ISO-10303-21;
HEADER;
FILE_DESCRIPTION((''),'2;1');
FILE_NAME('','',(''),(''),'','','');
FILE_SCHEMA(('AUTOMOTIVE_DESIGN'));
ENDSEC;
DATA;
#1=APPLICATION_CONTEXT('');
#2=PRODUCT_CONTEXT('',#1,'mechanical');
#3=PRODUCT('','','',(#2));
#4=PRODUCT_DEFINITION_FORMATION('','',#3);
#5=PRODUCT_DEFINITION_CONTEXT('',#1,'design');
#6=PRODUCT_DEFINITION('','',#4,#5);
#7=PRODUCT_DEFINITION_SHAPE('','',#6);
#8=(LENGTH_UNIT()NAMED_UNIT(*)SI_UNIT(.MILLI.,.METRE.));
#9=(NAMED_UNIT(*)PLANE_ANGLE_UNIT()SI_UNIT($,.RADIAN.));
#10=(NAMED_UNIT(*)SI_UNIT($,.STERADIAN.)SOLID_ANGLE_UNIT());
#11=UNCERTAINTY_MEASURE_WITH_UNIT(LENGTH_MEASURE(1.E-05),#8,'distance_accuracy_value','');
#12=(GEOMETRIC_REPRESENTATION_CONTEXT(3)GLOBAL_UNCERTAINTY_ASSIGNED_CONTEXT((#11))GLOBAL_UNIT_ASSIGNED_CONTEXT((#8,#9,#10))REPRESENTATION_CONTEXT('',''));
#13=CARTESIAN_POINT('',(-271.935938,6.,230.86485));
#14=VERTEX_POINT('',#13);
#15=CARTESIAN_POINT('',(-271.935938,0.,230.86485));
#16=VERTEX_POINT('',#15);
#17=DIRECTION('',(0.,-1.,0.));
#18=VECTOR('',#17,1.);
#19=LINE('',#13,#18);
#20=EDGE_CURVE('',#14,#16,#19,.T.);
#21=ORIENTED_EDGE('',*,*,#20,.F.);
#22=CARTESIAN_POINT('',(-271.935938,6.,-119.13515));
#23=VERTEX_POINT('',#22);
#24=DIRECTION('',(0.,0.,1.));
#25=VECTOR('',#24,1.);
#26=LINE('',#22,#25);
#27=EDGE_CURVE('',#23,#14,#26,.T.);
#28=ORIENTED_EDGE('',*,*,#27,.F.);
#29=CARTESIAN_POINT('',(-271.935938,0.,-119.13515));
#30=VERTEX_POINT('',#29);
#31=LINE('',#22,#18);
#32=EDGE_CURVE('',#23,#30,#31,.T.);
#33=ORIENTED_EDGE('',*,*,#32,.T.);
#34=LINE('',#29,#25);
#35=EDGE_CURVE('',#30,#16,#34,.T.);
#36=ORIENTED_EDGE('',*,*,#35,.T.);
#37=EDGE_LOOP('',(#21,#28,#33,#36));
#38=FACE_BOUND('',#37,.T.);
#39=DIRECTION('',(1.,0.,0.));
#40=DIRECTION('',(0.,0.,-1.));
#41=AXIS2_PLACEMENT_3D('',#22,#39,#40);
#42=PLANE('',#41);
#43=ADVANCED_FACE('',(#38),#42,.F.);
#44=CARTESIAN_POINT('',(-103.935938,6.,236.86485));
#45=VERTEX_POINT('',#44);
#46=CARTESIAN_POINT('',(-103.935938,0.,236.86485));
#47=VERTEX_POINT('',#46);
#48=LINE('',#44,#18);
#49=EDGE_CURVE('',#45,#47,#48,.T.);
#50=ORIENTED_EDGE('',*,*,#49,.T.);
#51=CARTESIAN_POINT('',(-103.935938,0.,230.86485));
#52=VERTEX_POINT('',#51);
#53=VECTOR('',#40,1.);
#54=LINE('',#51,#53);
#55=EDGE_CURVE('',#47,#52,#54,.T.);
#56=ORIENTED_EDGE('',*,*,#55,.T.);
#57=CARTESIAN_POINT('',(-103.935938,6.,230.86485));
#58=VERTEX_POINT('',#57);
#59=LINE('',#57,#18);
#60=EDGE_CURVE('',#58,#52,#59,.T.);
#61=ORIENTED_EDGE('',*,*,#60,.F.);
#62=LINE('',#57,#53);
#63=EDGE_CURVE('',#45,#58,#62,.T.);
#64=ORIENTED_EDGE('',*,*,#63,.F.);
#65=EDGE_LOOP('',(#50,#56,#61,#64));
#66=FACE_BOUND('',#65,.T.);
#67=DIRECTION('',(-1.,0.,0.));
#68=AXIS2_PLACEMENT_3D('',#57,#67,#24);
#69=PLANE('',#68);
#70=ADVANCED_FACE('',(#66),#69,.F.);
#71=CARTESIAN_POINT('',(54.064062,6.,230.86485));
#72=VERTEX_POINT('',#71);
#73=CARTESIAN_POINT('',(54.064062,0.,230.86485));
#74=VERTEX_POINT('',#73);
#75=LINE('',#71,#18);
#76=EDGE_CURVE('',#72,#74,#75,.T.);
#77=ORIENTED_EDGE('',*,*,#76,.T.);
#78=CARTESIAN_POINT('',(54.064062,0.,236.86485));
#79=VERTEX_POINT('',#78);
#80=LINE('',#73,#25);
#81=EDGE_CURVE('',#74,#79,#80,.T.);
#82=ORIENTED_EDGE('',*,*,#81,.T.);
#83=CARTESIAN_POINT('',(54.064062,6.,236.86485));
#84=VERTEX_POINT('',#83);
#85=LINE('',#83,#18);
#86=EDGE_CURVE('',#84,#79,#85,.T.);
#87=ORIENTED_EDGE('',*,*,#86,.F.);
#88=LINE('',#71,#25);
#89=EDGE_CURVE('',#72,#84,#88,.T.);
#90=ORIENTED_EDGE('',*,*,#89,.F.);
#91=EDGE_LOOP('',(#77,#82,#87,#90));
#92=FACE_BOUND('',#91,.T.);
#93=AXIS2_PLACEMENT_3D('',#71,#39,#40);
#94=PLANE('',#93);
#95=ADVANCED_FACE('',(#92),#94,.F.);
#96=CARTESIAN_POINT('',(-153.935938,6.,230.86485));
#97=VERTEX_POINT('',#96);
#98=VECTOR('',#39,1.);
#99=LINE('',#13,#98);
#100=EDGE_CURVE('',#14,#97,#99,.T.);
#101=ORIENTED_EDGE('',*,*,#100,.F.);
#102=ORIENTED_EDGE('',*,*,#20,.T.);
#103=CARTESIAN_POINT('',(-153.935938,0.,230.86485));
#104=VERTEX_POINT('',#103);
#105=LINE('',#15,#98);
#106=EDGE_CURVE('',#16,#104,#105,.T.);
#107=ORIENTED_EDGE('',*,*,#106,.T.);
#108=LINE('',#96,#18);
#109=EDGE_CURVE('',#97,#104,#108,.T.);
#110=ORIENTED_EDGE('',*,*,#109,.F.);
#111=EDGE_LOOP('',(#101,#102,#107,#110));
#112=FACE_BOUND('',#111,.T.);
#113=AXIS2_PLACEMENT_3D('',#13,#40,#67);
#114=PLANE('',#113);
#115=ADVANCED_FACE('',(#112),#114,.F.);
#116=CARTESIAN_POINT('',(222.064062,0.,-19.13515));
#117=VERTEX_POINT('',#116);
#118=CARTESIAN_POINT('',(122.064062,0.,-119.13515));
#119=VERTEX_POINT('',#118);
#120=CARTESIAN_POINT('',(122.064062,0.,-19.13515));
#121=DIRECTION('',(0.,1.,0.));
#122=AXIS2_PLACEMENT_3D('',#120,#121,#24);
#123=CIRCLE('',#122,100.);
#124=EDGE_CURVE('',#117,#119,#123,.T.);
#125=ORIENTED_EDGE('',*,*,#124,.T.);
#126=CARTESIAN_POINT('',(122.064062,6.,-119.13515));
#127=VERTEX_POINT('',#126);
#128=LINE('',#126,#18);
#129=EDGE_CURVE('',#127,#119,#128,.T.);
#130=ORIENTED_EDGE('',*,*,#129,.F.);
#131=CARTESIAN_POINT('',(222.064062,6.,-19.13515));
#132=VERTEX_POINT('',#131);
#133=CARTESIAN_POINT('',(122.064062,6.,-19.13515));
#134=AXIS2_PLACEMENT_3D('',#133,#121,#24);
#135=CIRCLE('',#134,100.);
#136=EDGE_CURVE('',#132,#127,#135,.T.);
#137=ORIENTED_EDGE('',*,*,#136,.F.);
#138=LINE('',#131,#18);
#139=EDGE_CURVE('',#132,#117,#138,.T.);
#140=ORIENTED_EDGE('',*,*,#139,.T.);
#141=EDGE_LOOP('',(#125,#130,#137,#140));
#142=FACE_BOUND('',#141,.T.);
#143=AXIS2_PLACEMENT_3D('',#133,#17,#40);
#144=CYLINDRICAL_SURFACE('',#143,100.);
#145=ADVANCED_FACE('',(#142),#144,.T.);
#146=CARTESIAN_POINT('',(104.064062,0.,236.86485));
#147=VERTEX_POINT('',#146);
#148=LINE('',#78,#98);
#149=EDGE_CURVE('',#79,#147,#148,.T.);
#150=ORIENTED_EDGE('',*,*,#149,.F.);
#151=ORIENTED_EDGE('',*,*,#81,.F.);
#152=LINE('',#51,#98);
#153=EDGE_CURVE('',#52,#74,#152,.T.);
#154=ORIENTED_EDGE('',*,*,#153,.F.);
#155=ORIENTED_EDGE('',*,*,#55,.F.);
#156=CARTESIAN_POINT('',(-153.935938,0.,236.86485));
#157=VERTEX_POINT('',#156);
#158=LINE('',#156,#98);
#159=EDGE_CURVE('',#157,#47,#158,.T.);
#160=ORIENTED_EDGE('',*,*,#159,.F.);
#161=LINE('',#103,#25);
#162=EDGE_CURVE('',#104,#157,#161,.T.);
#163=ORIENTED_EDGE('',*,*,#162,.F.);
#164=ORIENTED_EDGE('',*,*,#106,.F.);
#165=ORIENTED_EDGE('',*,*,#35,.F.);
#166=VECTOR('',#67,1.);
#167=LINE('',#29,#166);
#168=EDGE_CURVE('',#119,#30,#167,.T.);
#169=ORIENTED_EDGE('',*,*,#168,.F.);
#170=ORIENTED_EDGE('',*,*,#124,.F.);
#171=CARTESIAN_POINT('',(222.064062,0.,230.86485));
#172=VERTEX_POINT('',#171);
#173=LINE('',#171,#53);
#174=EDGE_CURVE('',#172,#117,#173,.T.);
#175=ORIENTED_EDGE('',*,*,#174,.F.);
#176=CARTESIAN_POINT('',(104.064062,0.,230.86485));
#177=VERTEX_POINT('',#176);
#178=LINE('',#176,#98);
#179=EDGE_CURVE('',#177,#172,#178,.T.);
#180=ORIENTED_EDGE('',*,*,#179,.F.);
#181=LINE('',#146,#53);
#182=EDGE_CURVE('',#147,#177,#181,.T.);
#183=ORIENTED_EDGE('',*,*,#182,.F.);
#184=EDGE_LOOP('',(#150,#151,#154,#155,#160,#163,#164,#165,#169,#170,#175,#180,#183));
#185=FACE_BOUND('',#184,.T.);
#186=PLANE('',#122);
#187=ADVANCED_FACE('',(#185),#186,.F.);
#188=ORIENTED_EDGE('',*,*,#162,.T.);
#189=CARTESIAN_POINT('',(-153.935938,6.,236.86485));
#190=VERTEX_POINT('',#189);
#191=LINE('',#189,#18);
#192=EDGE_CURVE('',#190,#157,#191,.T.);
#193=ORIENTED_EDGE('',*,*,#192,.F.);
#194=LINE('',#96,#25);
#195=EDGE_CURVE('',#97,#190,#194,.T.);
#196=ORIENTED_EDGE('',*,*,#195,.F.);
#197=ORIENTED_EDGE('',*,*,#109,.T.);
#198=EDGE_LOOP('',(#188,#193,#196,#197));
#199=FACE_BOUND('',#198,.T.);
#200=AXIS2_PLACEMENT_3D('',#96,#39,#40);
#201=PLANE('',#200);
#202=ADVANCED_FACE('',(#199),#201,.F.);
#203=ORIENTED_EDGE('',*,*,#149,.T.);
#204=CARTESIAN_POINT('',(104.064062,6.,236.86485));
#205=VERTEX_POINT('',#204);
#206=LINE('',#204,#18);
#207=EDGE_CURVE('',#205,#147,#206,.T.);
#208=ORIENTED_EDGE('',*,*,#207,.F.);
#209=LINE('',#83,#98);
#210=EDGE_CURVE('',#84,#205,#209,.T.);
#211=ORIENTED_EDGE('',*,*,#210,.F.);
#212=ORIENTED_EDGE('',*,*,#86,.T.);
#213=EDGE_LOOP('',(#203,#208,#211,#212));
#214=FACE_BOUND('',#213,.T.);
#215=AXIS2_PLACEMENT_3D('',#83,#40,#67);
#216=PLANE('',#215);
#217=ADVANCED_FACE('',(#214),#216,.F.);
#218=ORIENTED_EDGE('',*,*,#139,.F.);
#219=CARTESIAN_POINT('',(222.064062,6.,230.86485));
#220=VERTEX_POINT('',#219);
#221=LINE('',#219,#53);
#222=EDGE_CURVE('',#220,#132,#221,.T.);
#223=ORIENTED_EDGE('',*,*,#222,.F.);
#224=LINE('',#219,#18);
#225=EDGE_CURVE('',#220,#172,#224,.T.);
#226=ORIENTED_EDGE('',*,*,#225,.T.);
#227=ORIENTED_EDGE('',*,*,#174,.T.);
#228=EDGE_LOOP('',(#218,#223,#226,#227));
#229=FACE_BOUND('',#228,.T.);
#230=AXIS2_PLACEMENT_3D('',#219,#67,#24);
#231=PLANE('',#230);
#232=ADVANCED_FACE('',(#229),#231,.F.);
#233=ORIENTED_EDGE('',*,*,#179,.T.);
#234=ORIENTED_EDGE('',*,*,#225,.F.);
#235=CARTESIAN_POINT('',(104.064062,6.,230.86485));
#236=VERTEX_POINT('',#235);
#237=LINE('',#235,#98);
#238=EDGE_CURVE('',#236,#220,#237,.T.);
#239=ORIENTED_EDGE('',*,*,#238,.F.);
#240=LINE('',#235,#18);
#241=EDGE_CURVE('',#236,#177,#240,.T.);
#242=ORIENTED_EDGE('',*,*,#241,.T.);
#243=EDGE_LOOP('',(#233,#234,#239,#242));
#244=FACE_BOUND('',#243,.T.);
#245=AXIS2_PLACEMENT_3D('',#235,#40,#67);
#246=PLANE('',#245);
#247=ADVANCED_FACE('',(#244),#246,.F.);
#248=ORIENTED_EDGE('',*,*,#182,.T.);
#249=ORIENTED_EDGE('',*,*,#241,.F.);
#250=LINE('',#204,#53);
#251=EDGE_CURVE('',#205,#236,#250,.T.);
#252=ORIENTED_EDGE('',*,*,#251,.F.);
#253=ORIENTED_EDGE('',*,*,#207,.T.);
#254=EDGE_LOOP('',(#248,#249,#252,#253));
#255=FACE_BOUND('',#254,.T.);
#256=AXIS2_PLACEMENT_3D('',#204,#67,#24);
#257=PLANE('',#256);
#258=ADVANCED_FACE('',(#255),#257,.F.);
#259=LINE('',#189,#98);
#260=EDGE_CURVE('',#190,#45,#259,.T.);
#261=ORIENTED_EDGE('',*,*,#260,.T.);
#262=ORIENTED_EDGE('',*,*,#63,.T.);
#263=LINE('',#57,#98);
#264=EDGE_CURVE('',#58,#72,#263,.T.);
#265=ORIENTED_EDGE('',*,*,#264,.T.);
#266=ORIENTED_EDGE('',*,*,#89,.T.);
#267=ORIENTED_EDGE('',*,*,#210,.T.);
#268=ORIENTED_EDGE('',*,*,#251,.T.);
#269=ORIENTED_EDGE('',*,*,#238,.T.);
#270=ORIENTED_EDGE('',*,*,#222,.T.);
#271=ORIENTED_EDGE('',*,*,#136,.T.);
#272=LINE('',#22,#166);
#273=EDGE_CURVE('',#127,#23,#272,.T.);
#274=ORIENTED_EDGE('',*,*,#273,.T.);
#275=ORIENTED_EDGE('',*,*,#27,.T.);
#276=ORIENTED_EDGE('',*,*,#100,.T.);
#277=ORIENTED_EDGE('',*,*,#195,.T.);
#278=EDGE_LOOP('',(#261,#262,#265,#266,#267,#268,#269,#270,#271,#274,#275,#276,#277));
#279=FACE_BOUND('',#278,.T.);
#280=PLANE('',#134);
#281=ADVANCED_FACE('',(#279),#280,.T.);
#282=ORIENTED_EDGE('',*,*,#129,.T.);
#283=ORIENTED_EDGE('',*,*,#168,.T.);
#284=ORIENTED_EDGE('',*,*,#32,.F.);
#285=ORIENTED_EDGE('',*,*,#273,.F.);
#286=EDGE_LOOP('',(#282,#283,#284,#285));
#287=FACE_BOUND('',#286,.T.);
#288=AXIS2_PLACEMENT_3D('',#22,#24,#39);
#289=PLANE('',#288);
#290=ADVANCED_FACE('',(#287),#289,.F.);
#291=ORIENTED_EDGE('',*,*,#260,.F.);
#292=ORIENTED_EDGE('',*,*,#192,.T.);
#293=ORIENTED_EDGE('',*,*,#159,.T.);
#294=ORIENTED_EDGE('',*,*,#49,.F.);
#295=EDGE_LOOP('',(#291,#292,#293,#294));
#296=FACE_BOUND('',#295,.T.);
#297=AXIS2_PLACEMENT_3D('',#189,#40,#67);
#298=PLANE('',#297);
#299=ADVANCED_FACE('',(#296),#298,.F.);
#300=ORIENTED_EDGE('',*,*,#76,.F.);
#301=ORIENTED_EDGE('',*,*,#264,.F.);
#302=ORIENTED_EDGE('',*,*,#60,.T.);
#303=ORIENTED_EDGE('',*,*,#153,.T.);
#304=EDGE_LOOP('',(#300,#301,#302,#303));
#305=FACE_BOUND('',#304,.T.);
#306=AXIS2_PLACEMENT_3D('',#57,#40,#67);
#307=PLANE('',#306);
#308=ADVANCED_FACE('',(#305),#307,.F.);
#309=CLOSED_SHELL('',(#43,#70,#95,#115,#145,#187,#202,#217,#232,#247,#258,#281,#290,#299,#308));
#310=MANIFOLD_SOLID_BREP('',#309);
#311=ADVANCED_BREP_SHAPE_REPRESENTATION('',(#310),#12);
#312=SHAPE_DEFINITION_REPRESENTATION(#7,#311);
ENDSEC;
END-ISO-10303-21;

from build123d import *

# Parameters (mm, degrees)
BOSS_EXTRUDE1_DEPTH = 6


with BuildPart() as part:
    # Sketch1 → Boss-Extrude1 (new body)
    with BuildSketch(Plane(origin=(0, 0, 0), x_dir=(1, 0, 0), z_dir=(0, 1, 0))):
        with BuildLine():
            Line((54.064062015, -230.864850181), (54.064062015, -236.864850181))
            Line((54.064062015, -236.864850181), (104.064062015, -236.864850181))
            Line((104.064062015, -236.864850181), (104.064062015, -230.864850181))
            Line((104.064062015, -230.864850181), (222.064062015, -230.864850181))
            Line((222.064062015, -230.864850181), (222.064062015, 19.135149819))
            ThreePointArc((222.064062015, 19.135149819), (192.774740133, 89.845827938), (122.064062015, 119.135149819))
            Line((122.064062015, 119.135149819), (-271.935937985, 119.135149819))
            Line((-271.935937985, 119.135149819), (-271.935937985, -230.864850181))
            Line((-271.935937985, -230.864850181), (-153.935937985, -230.864850181))
            Line((-153.935937985, -230.864850181), (-153.935937985, -236.864850181))
            Line((-153.935937985, -236.864850181), (-103.935937985, -236.864850181))
            Line((-103.935937985, -236.864850181), (-103.935937985, -230.864850181))
            Line((-103.935937985, -230.864850181), (54.064062015, -230.864850181))
        make_face()
    extrude(amount=BOSS_EXTRUDE1_DEPTH)


solid = part.part
